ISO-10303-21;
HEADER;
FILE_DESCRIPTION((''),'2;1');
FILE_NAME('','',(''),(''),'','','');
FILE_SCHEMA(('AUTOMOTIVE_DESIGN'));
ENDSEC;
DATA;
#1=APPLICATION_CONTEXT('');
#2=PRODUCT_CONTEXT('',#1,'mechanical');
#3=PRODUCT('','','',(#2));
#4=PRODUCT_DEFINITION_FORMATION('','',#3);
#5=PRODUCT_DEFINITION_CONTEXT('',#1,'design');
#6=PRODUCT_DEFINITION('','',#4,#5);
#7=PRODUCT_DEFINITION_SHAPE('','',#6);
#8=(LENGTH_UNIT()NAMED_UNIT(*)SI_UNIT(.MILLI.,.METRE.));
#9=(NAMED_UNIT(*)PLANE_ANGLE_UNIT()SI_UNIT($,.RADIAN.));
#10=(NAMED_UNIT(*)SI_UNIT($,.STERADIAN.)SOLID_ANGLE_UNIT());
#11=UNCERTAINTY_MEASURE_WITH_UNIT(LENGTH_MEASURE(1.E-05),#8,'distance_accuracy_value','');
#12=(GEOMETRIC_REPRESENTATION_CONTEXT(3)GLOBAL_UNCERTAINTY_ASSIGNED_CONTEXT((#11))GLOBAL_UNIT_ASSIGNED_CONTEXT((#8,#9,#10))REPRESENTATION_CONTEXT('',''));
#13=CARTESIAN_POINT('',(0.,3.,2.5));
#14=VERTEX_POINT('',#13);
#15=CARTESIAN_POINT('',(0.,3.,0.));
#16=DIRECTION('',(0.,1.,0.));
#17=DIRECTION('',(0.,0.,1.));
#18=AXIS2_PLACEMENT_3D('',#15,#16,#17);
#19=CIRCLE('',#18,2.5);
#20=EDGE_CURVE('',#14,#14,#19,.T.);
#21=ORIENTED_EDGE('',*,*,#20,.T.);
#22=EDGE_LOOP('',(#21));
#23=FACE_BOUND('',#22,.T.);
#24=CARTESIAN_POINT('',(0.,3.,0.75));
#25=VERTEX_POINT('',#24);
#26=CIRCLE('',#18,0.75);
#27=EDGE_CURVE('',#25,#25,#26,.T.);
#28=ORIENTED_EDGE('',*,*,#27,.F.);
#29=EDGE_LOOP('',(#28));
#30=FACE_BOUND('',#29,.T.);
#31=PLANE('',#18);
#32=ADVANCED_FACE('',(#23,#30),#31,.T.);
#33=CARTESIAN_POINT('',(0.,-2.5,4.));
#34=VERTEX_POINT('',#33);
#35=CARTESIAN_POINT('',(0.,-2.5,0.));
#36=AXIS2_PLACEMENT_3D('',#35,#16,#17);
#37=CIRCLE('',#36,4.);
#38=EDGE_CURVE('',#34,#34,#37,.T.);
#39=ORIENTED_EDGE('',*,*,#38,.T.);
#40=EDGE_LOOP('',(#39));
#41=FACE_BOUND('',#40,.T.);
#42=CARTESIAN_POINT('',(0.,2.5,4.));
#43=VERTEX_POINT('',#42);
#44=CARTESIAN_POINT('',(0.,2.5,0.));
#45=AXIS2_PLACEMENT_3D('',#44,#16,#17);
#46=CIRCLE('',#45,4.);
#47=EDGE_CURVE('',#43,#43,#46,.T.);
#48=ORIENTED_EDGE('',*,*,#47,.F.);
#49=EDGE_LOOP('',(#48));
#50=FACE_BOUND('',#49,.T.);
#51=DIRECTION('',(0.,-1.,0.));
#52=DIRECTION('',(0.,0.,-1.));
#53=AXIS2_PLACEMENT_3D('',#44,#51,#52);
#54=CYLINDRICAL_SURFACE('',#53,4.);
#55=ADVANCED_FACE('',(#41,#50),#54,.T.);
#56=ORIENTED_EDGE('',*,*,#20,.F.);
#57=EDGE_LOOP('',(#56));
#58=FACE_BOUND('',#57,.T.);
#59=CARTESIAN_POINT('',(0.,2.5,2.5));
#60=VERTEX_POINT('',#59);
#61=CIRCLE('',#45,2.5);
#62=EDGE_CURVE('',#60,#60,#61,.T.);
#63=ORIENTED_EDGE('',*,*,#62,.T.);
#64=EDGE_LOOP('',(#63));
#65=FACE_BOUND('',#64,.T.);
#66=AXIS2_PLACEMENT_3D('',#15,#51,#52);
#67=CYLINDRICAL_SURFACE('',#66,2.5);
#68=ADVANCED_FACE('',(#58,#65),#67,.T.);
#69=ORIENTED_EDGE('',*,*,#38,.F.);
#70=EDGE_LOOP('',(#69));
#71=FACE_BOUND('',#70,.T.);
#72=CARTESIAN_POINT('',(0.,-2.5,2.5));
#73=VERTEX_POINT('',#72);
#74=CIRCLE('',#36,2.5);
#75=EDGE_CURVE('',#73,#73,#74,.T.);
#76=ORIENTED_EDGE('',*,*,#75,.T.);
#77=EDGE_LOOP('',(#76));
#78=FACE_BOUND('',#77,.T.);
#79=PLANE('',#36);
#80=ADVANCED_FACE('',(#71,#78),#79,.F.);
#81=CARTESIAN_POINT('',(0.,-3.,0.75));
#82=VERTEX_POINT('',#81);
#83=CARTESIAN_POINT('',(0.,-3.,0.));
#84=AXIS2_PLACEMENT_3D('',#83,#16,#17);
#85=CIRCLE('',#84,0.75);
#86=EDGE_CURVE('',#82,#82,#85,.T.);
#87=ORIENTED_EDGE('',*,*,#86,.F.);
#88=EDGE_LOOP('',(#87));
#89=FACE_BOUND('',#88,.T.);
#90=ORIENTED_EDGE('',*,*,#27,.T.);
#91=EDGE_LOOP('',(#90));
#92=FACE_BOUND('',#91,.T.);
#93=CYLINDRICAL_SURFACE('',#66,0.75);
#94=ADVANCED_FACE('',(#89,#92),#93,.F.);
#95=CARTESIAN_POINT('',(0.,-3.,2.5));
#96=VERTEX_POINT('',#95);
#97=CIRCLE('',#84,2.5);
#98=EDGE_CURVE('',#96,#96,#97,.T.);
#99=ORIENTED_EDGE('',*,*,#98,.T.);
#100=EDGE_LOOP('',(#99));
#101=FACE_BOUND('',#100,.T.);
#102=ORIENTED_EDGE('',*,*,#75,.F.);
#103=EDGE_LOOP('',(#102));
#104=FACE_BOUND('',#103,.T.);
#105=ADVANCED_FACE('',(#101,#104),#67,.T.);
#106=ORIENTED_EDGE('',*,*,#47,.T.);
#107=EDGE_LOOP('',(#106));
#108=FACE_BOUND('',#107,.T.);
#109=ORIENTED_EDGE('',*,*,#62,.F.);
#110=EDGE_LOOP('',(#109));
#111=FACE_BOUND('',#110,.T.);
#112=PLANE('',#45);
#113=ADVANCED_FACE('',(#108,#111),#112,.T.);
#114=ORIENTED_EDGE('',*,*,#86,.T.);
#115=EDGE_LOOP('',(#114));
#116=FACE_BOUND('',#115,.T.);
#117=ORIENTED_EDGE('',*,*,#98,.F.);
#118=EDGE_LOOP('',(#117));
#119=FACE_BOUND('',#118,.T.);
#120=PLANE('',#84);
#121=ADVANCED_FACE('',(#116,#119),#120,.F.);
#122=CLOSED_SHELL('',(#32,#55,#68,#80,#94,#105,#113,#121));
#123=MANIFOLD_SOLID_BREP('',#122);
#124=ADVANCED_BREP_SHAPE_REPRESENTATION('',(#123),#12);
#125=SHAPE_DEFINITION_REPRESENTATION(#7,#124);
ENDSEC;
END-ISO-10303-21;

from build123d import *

# Parameters (mm, degrees)
SKETCH_1_R      = 2.5
SKETCH_1_R_2    = 0.75
EXTRUDE_1_DEPTH = 3
SKETCH_2_R      = 4
SKETCH_2_R_2    = 2.5
EXTRUDE_2_DEPTH = 2.5


with BuildPart() as part:
    # 草图1 → 凸台-拉伸1 (new, symmetric)
    with BuildSketch(Plane(origin=(0, 0, 0), x_dir=(1, 0, 0), z_dir=(0, 1, 0))):
        with Locations(Location((0, 0, 0), (0, 0, 270))):
            Circle(SKETCH_1_R)
        with Locations(Location((0, 0, 0), (0, 0, 270))):
            Circle(SKETCH_1_R_2, mode=Mode.SUBTRACT)
    extrude(amount=EXTRUDE_1_DEPTH, both=True)

    # 草图2 → 凸台-拉伸2 (add, symmetric)
    with BuildSketch(Plane(origin=(0, 0, 0), x_dir=(1, 0, 0), z_dir=(0, 1, 0))):
        with Locations(Location((0, 0, 0), (0, 0, 270))):
            Circle(SKETCH_2_R)
        with Locations(Location((0, 0, 0), (0, 0, 270))):
            Circle(SKETCH_2_R_2, mode=Mode.SUBTRACT)
    extrude(amount=EXTRUDE_2_DEPTH, both=True)


solid = part.part
